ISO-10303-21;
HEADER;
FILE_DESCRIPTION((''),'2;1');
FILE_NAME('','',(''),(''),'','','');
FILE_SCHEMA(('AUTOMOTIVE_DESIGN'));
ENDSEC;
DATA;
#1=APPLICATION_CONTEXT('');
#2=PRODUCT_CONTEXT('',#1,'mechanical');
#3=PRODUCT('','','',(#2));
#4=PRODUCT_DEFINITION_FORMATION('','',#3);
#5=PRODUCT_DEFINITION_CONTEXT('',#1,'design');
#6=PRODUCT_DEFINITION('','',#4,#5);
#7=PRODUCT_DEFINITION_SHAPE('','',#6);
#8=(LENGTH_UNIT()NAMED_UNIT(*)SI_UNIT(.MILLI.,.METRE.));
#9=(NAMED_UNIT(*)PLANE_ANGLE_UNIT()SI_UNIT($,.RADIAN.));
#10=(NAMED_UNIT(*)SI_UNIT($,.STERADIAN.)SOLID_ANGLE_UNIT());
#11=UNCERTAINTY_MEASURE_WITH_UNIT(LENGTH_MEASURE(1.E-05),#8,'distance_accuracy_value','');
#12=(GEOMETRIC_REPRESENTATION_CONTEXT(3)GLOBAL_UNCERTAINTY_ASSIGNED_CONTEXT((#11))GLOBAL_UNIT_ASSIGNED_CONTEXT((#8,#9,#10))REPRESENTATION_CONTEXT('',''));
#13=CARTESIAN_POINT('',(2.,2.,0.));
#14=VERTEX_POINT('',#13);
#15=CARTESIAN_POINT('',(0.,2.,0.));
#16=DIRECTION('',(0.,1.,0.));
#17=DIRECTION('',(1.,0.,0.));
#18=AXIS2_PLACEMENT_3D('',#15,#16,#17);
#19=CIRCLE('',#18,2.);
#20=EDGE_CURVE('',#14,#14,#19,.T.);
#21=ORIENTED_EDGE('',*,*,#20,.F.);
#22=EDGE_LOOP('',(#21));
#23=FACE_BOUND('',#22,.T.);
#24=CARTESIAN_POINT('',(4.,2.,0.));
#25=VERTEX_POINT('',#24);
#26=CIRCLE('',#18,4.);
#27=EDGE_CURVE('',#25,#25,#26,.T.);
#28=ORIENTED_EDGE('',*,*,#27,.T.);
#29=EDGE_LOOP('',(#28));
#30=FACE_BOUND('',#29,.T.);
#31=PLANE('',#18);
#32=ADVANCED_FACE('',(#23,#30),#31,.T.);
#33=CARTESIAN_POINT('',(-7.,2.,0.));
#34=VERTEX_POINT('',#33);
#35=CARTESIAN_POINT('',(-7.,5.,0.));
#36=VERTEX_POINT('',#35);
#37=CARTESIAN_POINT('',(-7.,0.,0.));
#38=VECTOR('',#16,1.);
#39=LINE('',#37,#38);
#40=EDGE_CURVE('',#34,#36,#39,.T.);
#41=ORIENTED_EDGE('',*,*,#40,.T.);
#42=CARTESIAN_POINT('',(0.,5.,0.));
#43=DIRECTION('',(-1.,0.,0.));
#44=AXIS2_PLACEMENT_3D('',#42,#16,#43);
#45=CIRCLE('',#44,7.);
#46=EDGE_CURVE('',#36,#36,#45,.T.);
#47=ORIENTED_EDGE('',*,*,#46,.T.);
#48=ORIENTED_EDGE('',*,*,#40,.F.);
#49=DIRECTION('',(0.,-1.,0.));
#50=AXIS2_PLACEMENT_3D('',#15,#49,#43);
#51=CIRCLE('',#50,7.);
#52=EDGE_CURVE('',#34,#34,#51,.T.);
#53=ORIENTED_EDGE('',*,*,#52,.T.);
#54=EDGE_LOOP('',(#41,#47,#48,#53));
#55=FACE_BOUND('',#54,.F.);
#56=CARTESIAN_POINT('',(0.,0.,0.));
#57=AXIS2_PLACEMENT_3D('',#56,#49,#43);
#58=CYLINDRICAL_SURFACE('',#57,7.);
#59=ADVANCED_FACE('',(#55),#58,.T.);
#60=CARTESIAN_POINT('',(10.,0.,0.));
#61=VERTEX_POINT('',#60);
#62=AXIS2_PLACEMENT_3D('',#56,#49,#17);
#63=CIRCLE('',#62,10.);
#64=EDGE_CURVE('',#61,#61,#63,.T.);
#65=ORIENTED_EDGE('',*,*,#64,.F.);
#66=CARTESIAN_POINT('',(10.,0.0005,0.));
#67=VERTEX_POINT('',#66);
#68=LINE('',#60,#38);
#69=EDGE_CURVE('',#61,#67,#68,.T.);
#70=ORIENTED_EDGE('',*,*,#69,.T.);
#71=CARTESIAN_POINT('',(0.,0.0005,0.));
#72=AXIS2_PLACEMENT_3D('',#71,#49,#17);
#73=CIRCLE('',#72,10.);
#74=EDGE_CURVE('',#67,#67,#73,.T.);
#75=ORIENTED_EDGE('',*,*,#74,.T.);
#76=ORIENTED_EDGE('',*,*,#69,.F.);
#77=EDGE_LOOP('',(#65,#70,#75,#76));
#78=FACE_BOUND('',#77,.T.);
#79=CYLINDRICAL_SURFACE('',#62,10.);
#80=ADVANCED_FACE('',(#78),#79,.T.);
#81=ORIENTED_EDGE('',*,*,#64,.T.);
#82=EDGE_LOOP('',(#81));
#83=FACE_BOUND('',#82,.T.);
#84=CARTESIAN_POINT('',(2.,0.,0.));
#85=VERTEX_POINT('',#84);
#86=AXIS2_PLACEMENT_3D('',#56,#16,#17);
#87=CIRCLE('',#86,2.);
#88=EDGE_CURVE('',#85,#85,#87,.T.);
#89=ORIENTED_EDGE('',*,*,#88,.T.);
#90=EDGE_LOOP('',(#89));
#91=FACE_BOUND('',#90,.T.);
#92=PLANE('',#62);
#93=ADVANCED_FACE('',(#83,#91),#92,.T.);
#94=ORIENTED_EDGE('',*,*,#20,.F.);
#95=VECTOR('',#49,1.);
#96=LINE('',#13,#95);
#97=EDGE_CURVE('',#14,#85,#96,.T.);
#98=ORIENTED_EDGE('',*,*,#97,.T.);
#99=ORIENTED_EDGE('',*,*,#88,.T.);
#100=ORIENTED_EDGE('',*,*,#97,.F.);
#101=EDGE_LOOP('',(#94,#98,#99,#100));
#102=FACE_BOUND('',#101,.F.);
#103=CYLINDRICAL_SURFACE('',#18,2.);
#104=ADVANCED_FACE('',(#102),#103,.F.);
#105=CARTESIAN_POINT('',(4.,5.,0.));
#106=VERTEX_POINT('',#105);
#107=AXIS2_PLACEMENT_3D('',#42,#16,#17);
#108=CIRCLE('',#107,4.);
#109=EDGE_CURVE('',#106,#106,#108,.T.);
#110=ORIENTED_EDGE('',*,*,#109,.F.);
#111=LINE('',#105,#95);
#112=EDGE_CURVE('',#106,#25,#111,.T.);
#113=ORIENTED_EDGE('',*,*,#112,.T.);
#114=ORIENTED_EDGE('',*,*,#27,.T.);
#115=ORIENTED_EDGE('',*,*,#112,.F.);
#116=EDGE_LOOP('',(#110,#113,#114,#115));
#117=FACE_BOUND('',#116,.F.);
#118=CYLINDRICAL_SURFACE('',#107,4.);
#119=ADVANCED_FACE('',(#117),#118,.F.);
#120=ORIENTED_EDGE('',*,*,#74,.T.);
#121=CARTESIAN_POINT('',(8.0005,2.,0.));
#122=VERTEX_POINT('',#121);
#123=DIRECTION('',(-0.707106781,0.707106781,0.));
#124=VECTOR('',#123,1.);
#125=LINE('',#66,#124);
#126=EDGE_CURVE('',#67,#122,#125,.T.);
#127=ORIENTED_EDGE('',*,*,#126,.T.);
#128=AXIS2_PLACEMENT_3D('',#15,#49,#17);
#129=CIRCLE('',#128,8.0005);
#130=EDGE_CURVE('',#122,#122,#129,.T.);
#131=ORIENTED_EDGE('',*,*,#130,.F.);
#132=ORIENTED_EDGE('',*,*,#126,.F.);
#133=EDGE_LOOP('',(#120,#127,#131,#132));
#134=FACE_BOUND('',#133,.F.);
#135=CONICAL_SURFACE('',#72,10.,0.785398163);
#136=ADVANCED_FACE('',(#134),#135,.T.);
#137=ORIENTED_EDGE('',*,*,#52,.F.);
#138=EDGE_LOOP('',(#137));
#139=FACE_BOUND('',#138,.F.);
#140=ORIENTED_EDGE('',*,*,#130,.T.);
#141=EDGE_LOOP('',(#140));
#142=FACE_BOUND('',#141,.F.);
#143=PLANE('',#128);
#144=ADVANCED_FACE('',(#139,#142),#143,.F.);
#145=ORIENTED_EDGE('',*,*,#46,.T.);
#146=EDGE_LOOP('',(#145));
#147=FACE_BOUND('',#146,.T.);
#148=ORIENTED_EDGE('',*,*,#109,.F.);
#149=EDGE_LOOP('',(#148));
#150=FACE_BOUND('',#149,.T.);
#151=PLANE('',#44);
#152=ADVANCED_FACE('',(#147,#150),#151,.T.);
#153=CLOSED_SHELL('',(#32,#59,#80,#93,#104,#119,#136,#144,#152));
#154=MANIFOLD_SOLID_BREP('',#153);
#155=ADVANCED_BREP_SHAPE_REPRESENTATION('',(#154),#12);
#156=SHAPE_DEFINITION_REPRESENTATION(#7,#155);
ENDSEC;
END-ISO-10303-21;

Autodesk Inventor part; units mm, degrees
ref_plane "YZ Plane" through (0, 0, 0) normal (1, 0, 0) x (0, 1, 0)
ref_plane "XZ Plane" through (0, 0, 0) normal (0, 1, 0) x (-1, 0, 0)
ref_plane "XY Plane" through (0, 0, 0) normal (0, 0, 1) x (1, 0, 0)
sketch "Sketch1" plane through (0, 0, 0) normal (0, 1, 0) x (-1, 0, 0)
  circle A0 centre (0, 0) radius 7
  dimension "d0" = 14
extrude "Extrusion1" add sketch "Sketch1" along normal blind 5
sketch "Sketch2" plane through (0, 5, 0) normal (0, 1, 0) x (1, 0, 0)
  circle A0 centre (0, 0) radius 4
  dimension "d3" = 8
extrude "Extrusion2" cut sketch "Sketch2" against normal blind 3
sketch "Sketch3" plane through (0, 2, 0) normal (0, 1, 0) x (1, 0, 0)
  circle A0 centre (0, 0) radius 2
  dimension "d6" = 4
extrude "Extrusion3" cut sketch "Sketch3" against normal through all
sketch "Sketch4" plane through (0, 0, 0) normal (0, -1, 0) x (1, 0, 0)
  circle A0 centre (0, 0) radius 10
  circle A1 centre (0, 0) radius 7
  dimension "d9" = 20
extrude "Extrusion4" add sketch "Sketch4" against normal blind 2
chamfer "Chamfer1" distance 2 angle 45 1 edges at (-10, 2, 0)
properties part number "spacer_short"
